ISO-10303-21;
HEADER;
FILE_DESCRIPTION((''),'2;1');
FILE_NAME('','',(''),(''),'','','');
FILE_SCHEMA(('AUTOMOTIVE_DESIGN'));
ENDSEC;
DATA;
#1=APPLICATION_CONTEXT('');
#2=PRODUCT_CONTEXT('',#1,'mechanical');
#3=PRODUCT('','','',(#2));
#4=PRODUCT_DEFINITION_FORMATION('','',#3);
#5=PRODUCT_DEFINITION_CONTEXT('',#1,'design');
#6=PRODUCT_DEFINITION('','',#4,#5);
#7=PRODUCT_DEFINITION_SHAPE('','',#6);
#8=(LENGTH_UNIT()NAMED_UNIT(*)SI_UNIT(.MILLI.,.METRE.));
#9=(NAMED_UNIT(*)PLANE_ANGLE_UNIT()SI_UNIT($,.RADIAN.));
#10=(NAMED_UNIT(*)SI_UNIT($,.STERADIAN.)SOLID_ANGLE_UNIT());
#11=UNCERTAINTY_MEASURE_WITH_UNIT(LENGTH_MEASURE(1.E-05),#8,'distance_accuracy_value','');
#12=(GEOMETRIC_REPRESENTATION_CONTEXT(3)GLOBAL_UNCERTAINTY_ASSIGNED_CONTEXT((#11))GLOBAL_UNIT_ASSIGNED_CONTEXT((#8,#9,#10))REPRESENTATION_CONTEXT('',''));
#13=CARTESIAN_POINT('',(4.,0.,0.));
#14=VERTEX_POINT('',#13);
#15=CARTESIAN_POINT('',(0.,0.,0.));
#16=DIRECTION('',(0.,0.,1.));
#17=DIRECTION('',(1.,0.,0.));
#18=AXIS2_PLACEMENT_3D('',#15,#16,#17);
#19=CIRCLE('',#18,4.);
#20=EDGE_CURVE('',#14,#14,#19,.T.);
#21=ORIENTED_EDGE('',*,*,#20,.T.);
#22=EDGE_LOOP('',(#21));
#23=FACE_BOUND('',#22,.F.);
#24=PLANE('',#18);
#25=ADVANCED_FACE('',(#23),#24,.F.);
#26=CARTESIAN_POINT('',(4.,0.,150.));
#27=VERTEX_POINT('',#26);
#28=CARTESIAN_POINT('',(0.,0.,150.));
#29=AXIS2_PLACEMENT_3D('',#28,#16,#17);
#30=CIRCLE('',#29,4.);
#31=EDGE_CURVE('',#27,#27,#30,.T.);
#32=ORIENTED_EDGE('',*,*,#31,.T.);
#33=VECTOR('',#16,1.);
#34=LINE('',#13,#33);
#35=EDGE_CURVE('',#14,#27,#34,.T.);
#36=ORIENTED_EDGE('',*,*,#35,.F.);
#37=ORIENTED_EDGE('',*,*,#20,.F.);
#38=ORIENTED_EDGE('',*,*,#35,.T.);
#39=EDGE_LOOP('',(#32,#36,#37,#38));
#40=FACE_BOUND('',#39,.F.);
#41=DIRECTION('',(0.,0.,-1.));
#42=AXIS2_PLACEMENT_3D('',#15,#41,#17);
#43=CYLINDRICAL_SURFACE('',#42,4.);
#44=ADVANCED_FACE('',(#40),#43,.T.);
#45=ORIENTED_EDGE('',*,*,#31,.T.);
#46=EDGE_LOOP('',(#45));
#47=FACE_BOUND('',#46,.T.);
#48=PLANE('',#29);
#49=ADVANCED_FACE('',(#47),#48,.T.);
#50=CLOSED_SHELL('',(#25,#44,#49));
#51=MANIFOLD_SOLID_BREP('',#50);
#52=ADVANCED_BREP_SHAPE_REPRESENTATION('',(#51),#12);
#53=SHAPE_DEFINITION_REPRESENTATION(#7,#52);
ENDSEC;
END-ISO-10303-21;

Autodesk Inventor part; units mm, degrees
ref_plane "YZ Plane" through (0, 0, 0) normal (1, 0, 0) x (0, 1, 0)
ref_plane "XZ Plane" through (0, 0, 0) normal (0, 1, 0) x (-1, 0, 0)
ref_plane "XY Plane" through (0, 0, 0) normal (0, 0, 1) x (1, 0, 0)
sketch "Sketch1" plane through (0, 0, 0) normal (0, 0, 1) x (1, 0, 0)
  circle A0 centre (0, 0) radius 4
  dimension "d0" = 8
extrude "Extrusion1" add sketch "Sketch1" along normal blind 150
thread "Thread1" size "TR8x1.5" class "7e" standard "ISO Metric Trapezoidal Threads" full length
properties part number "10-03-04LeadScrew 8mm x 2mmPitch"
